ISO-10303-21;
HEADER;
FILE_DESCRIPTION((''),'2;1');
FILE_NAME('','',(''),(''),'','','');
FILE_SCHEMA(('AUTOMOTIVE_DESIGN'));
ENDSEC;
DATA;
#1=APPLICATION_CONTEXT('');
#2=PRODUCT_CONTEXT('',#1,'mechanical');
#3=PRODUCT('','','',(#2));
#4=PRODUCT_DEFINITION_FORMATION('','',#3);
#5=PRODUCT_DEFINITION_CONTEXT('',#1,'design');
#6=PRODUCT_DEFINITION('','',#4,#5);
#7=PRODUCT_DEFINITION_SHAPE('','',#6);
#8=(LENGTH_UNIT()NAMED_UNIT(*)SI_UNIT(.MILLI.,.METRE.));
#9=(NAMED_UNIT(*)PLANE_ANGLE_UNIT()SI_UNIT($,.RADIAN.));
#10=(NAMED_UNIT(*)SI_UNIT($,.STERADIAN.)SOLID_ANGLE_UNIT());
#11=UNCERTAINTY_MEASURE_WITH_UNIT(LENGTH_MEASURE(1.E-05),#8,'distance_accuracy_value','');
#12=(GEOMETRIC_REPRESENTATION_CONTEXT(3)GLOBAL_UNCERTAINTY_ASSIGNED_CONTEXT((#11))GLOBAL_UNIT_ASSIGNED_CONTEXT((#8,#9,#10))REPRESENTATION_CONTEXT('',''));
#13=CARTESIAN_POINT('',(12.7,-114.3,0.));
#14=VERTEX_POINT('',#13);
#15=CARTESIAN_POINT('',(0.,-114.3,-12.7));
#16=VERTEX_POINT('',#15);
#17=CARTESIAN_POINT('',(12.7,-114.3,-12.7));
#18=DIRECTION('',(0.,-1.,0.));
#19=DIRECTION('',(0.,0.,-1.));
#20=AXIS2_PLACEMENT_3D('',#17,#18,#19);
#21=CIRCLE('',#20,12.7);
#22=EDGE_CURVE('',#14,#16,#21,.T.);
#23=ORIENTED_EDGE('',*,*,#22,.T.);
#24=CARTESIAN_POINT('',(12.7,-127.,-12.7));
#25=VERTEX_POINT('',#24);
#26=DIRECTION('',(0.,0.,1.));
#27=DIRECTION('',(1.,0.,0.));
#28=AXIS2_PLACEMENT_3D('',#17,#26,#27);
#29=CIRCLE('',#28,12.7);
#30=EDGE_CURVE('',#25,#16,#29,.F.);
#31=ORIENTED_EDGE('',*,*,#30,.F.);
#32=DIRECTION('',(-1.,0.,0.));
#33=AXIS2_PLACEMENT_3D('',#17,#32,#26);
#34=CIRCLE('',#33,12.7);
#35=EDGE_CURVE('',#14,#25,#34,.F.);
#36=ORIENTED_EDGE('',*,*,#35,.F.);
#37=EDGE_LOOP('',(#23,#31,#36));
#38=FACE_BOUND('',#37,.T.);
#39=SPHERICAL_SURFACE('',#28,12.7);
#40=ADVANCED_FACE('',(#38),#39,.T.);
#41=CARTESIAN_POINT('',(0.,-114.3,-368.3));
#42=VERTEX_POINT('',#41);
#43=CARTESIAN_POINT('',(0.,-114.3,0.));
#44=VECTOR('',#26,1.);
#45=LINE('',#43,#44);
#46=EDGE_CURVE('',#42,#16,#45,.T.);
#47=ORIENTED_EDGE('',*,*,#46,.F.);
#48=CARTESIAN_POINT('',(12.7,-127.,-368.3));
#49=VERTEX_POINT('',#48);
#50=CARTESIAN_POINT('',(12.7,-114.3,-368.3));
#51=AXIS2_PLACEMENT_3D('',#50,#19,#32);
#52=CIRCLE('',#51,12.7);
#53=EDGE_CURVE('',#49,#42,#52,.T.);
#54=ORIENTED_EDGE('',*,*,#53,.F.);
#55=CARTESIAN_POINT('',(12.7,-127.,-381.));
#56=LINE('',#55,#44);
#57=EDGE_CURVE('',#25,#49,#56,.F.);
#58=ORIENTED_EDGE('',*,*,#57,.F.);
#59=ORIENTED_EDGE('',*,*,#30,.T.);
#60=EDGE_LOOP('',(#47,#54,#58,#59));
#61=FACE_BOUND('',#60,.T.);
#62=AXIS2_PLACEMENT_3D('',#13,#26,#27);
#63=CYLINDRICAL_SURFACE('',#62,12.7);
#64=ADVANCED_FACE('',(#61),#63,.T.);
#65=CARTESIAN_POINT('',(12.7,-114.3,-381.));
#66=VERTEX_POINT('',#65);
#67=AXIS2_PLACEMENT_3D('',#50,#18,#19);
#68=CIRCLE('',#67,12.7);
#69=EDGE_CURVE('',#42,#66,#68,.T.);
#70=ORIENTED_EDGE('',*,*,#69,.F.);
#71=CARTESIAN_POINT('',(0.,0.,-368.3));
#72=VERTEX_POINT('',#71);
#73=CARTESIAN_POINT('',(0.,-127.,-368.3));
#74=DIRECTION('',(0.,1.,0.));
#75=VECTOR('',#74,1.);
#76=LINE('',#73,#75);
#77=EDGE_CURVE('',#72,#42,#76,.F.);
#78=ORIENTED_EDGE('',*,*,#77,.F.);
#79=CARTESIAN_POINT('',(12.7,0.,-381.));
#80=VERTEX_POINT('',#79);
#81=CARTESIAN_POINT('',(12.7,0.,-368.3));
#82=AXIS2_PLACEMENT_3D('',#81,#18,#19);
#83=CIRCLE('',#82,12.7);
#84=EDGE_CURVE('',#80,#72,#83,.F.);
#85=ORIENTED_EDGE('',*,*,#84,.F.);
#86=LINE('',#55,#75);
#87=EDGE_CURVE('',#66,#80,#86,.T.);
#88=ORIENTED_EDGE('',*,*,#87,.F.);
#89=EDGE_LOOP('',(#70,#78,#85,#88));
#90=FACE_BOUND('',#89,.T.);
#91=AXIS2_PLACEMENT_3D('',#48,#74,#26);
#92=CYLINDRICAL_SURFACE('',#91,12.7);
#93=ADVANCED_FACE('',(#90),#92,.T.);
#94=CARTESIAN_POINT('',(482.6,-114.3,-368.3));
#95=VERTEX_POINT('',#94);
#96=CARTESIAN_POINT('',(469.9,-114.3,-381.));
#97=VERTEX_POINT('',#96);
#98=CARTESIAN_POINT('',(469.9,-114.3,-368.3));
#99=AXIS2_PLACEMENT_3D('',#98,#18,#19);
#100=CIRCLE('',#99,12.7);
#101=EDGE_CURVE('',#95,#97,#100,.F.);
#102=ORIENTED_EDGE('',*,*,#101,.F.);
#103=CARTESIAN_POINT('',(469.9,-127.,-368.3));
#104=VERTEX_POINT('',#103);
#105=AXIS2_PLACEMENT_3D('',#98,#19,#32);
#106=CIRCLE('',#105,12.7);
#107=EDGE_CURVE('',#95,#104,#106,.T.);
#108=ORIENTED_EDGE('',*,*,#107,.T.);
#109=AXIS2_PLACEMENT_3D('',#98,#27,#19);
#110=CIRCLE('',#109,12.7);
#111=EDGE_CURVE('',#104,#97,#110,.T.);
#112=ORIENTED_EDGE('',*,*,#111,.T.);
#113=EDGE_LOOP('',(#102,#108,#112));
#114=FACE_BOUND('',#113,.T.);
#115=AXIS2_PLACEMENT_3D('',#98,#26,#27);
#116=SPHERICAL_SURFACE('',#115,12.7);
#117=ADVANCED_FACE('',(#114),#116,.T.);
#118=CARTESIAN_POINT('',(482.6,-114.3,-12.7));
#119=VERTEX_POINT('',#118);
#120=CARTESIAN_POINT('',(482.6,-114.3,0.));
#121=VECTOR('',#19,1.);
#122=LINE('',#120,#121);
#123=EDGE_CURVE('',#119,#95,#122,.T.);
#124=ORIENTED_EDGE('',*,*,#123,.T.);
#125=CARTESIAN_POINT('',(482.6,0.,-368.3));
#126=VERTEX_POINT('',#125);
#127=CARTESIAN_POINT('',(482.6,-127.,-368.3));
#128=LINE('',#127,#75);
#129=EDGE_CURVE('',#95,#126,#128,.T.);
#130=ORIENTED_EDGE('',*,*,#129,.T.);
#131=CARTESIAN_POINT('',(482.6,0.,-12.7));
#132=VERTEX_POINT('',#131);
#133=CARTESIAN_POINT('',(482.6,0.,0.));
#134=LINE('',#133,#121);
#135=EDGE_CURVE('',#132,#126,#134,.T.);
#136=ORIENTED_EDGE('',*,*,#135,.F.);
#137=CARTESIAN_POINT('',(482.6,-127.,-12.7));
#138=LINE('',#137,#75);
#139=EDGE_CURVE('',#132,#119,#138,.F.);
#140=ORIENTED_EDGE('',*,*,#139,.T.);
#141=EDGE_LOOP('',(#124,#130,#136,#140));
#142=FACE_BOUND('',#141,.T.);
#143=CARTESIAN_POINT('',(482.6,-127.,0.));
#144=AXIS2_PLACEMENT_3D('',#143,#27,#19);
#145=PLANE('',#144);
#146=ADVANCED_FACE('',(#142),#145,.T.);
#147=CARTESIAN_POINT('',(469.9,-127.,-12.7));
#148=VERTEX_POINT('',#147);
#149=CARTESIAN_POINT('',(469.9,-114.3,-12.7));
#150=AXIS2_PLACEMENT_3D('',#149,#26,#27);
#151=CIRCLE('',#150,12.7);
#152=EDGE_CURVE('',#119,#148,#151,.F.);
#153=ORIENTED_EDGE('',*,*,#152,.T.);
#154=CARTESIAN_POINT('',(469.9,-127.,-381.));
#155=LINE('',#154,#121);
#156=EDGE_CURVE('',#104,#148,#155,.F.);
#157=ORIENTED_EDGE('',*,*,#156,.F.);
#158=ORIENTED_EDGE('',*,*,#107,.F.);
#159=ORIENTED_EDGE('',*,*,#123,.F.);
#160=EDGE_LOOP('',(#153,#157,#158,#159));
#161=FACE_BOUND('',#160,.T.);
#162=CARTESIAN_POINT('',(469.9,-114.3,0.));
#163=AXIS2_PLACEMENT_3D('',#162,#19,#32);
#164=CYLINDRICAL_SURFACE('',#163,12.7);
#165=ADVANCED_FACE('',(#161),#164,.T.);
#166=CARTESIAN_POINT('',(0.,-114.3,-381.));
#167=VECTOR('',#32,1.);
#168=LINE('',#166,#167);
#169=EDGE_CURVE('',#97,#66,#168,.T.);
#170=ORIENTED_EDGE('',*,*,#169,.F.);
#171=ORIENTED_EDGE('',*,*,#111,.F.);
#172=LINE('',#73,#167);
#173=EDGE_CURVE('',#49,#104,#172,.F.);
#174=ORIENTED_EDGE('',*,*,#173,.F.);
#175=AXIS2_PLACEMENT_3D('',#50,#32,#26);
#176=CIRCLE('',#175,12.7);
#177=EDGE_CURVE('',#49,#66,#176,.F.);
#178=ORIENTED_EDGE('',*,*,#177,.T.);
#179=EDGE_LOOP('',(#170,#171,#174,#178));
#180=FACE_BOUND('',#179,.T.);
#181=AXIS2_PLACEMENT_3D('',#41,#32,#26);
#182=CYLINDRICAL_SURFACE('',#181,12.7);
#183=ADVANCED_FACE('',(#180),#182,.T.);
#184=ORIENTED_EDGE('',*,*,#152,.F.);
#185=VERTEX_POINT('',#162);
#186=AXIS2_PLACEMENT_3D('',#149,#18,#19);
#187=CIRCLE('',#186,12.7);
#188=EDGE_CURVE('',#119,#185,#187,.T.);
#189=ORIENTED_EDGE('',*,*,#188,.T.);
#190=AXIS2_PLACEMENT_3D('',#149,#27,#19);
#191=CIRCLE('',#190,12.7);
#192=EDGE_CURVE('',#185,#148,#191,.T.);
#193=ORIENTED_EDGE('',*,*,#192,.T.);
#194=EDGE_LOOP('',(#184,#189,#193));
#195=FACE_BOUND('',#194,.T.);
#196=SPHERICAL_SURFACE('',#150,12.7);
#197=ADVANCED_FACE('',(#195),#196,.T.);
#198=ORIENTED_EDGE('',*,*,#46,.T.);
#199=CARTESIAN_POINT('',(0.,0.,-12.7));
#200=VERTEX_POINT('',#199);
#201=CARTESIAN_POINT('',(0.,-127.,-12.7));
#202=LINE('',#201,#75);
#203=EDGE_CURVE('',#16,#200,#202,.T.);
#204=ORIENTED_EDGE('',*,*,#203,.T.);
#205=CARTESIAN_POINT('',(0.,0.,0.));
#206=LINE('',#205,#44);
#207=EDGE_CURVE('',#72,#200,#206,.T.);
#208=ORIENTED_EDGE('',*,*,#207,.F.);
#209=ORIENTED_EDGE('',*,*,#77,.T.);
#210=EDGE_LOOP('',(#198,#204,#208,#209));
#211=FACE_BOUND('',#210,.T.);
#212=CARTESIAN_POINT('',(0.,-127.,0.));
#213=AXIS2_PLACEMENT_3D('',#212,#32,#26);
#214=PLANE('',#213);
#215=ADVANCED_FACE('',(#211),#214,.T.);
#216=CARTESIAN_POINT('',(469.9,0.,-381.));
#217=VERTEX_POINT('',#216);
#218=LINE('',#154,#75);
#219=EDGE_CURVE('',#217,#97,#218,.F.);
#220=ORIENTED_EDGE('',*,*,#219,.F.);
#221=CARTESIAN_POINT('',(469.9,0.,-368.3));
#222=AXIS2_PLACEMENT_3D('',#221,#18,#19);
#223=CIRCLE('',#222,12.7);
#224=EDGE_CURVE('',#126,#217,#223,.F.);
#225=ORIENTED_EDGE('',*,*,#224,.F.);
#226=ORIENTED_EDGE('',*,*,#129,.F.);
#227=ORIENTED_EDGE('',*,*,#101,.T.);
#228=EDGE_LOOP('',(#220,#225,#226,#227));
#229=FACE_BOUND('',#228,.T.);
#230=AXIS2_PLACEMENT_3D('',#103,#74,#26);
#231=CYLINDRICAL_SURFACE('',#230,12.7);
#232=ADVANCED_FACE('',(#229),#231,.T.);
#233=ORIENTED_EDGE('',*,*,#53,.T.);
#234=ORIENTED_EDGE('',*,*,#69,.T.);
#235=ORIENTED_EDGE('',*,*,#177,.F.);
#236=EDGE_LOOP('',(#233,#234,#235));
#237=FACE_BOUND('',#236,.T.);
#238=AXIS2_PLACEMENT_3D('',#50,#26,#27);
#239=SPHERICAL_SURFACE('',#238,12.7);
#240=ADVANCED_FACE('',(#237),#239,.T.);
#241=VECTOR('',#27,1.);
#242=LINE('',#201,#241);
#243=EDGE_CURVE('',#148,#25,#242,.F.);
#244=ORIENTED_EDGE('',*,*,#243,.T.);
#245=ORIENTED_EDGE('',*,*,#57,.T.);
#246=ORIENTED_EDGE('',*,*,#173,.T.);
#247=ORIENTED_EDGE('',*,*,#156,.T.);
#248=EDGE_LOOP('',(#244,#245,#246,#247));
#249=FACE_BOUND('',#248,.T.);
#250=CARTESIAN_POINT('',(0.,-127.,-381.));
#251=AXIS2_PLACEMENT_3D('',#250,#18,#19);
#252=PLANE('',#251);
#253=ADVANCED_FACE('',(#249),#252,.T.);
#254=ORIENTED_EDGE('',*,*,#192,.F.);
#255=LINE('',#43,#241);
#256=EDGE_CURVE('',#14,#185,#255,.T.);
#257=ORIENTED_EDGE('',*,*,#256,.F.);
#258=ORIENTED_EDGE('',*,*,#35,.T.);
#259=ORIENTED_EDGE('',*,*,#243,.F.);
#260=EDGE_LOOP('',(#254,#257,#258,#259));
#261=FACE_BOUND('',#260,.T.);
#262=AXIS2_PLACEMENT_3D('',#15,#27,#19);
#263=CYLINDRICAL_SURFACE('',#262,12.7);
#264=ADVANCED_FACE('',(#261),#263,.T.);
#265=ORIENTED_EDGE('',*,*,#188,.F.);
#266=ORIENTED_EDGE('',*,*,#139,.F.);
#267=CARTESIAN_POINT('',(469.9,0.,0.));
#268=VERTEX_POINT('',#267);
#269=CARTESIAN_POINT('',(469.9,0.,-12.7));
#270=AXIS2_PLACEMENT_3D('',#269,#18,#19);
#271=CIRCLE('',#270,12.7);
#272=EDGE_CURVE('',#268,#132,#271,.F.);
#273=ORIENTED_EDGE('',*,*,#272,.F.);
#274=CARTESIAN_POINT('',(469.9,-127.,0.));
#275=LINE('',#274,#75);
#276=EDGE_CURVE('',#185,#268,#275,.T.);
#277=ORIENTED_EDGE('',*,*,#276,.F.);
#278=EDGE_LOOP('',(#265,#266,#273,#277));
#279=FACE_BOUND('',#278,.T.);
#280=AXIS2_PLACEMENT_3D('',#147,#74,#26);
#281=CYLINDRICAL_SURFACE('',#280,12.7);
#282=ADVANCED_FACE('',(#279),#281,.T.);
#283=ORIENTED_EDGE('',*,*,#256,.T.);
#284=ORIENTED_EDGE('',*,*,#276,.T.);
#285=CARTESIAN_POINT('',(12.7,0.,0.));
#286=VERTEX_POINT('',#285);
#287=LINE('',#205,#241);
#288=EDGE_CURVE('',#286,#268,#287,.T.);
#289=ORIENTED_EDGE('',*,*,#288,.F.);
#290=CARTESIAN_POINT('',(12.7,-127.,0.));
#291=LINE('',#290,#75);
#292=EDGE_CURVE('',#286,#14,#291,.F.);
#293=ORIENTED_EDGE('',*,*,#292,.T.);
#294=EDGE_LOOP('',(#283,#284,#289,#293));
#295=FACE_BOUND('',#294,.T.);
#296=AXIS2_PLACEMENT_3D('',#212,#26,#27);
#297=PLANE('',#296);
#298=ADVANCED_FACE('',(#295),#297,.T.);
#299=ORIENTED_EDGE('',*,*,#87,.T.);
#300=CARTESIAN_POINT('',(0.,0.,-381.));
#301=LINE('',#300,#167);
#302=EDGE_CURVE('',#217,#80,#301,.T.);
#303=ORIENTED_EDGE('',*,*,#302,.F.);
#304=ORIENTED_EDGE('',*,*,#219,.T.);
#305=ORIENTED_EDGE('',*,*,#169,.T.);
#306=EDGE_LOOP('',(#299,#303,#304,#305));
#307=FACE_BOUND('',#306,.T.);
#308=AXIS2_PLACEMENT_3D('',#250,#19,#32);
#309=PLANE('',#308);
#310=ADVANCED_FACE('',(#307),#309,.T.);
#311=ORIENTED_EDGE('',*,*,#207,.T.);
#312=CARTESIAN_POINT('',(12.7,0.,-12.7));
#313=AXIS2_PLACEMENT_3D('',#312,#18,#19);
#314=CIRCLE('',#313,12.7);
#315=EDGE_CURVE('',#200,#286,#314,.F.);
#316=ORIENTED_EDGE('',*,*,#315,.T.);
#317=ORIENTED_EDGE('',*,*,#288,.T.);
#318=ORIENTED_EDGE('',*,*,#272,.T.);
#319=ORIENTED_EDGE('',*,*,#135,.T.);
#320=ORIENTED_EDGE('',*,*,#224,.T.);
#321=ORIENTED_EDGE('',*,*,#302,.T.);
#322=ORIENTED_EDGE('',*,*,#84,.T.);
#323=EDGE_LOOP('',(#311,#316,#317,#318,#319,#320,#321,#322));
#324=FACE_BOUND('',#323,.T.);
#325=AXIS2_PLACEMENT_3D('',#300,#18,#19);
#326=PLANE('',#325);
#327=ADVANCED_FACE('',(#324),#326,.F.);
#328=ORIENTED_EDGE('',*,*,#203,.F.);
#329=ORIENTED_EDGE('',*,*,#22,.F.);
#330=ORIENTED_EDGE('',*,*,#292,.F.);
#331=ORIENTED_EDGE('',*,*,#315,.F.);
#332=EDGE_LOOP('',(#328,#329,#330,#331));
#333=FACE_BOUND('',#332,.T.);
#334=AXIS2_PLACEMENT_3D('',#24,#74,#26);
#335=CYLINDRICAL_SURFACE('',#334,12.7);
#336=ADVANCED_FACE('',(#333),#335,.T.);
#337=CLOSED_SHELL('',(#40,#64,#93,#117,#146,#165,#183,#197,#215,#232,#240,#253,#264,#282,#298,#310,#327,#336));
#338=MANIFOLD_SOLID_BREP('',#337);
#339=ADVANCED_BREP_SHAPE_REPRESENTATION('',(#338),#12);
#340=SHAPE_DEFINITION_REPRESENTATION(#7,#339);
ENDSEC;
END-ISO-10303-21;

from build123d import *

# Parameters (mm, degrees)
SKETCH1_W           = 482.6
SKETCH1_H           = 381
BOSS_EXTRUDE1_DEPTH = 127
FILLET1_R           = 12.7


with BuildPart() as part:
    # Sketch1 → Boss-Extrude1 (new body)
    with BuildSketch(Plane(origin=(0, 0, 0), x_dir=(1, 0, 0), z_dir=(0, 1, 0))):
        with Locations((241.3, 190.5)):
            Rectangle(SKETCH1_W, SKETCH1_H)
    extrude(amount=-BOSS_EXTRUDE1_DEPTH)

    # Fillet1
    fillet1_edges = [part.edges().sort_by_distance(p)[0] for p in [
        (482.6, -127, -190.5),
        (241.3, -127, -381),
        (0, -127, -190.5),
        (241.3, -127, 0),
        (0, -63.5, -381),
        (482.6, -63.5, -381),
        (482.6, -63.5, 0),
        (0, -63.5, 0),
    ]]
    fillet(fillet1_edges, radius=FILLET1_R)


solid = part.part
